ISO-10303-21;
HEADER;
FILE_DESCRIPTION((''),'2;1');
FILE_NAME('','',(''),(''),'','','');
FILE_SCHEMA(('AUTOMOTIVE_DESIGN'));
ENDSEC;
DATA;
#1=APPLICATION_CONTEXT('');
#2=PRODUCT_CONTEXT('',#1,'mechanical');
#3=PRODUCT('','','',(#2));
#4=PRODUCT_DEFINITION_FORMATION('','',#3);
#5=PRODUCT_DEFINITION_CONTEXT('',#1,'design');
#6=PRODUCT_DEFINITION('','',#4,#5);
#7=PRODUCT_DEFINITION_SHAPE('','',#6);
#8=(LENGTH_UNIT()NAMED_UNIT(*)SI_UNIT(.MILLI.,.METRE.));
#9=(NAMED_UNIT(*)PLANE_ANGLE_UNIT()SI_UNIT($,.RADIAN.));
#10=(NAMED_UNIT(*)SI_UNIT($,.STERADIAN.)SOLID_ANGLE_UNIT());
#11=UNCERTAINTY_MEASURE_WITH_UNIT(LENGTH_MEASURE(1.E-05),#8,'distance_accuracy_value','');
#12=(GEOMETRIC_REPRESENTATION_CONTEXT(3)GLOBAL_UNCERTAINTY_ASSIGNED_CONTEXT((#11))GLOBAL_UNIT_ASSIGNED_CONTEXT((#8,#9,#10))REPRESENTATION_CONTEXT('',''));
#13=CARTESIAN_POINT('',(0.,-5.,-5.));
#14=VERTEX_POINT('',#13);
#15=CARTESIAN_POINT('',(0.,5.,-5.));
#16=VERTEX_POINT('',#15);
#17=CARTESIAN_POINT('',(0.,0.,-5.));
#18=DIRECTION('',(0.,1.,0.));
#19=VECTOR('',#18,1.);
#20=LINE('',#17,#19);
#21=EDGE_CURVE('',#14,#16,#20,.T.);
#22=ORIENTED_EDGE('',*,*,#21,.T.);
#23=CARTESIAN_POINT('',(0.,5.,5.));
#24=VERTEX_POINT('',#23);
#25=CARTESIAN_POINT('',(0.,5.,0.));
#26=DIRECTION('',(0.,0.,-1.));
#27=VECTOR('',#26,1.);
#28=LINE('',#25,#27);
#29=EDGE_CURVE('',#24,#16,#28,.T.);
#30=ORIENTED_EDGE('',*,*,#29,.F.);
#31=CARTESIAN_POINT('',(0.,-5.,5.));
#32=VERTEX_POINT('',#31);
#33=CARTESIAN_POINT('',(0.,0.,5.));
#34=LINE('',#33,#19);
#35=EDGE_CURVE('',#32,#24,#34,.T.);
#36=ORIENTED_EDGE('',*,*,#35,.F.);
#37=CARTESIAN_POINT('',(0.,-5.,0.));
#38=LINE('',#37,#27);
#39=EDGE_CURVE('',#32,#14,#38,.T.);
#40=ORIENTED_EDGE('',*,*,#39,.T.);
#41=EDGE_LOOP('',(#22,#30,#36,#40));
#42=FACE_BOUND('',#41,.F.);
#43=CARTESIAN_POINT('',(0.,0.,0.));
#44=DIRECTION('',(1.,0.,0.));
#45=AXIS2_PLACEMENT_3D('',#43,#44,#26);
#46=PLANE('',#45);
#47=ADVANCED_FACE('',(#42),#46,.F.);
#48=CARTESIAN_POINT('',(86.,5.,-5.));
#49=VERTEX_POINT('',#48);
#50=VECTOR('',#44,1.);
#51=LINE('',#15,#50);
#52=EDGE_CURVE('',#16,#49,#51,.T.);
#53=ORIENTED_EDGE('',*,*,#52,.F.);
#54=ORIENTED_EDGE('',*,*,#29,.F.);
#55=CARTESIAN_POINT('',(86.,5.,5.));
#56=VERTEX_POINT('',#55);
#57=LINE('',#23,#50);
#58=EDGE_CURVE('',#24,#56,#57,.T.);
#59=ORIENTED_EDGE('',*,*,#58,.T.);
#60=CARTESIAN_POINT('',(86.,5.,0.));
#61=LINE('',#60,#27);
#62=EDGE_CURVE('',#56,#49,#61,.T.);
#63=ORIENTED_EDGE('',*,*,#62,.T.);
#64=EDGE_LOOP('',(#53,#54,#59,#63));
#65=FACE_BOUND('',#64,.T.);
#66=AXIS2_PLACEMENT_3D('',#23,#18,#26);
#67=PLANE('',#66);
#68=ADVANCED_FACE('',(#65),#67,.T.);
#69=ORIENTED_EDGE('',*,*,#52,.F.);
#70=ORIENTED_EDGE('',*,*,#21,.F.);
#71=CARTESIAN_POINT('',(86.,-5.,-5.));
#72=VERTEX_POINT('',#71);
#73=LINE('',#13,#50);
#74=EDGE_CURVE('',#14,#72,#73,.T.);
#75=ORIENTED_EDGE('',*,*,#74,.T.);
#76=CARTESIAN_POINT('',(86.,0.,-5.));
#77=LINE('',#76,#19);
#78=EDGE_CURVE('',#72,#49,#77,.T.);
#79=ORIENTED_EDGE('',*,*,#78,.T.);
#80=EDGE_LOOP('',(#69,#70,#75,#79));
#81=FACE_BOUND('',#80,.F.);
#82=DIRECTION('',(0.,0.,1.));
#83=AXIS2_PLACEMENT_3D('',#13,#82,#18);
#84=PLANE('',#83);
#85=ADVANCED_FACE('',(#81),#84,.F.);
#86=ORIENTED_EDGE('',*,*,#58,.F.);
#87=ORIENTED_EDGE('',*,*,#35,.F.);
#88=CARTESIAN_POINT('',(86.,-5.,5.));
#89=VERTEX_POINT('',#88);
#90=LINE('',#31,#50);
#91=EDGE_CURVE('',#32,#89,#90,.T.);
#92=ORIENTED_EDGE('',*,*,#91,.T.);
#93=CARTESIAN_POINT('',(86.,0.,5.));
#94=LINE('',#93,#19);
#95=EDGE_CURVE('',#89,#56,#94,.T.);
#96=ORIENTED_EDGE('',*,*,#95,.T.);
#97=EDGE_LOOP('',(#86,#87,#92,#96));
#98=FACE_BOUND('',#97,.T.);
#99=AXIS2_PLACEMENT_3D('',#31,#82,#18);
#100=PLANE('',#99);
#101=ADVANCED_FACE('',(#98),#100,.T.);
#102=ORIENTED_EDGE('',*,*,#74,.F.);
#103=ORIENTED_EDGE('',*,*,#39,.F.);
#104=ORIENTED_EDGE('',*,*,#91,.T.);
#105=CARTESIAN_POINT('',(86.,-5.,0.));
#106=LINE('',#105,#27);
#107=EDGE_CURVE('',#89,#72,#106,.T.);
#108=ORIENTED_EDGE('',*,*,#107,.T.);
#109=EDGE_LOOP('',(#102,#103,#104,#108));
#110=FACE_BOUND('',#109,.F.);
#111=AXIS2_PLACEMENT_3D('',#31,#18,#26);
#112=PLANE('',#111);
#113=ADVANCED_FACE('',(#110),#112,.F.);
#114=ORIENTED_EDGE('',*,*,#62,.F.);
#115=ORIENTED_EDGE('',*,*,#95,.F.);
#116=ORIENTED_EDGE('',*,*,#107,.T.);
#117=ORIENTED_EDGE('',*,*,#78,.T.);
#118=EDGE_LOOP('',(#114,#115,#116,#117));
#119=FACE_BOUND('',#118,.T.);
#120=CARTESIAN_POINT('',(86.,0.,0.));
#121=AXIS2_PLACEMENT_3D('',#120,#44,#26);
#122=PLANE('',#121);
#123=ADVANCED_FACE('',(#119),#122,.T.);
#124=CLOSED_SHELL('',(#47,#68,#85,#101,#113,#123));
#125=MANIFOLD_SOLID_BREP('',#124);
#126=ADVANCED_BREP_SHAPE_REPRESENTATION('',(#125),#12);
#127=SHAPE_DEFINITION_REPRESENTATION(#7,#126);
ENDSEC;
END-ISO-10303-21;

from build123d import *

# Parameters (mm, degrees)
SKETCH1_W           = 10
SKETCH1_H           = 10
BOSS_EXTRUDE1_DEPTH = 86


with BuildPart() as part:
    # Sketch1 → Boss-Extrude1 (new body)
    with BuildSketch(Plane(origin=(0, 0, 0), x_dir=(0, 0, -1), z_dir=(1, 0, 0))):
        Rectangle(SKETCH1_W, SKETCH1_H)
    extrude(amount=BOSS_EXTRUDE1_DEPTH)


solid = part.part
